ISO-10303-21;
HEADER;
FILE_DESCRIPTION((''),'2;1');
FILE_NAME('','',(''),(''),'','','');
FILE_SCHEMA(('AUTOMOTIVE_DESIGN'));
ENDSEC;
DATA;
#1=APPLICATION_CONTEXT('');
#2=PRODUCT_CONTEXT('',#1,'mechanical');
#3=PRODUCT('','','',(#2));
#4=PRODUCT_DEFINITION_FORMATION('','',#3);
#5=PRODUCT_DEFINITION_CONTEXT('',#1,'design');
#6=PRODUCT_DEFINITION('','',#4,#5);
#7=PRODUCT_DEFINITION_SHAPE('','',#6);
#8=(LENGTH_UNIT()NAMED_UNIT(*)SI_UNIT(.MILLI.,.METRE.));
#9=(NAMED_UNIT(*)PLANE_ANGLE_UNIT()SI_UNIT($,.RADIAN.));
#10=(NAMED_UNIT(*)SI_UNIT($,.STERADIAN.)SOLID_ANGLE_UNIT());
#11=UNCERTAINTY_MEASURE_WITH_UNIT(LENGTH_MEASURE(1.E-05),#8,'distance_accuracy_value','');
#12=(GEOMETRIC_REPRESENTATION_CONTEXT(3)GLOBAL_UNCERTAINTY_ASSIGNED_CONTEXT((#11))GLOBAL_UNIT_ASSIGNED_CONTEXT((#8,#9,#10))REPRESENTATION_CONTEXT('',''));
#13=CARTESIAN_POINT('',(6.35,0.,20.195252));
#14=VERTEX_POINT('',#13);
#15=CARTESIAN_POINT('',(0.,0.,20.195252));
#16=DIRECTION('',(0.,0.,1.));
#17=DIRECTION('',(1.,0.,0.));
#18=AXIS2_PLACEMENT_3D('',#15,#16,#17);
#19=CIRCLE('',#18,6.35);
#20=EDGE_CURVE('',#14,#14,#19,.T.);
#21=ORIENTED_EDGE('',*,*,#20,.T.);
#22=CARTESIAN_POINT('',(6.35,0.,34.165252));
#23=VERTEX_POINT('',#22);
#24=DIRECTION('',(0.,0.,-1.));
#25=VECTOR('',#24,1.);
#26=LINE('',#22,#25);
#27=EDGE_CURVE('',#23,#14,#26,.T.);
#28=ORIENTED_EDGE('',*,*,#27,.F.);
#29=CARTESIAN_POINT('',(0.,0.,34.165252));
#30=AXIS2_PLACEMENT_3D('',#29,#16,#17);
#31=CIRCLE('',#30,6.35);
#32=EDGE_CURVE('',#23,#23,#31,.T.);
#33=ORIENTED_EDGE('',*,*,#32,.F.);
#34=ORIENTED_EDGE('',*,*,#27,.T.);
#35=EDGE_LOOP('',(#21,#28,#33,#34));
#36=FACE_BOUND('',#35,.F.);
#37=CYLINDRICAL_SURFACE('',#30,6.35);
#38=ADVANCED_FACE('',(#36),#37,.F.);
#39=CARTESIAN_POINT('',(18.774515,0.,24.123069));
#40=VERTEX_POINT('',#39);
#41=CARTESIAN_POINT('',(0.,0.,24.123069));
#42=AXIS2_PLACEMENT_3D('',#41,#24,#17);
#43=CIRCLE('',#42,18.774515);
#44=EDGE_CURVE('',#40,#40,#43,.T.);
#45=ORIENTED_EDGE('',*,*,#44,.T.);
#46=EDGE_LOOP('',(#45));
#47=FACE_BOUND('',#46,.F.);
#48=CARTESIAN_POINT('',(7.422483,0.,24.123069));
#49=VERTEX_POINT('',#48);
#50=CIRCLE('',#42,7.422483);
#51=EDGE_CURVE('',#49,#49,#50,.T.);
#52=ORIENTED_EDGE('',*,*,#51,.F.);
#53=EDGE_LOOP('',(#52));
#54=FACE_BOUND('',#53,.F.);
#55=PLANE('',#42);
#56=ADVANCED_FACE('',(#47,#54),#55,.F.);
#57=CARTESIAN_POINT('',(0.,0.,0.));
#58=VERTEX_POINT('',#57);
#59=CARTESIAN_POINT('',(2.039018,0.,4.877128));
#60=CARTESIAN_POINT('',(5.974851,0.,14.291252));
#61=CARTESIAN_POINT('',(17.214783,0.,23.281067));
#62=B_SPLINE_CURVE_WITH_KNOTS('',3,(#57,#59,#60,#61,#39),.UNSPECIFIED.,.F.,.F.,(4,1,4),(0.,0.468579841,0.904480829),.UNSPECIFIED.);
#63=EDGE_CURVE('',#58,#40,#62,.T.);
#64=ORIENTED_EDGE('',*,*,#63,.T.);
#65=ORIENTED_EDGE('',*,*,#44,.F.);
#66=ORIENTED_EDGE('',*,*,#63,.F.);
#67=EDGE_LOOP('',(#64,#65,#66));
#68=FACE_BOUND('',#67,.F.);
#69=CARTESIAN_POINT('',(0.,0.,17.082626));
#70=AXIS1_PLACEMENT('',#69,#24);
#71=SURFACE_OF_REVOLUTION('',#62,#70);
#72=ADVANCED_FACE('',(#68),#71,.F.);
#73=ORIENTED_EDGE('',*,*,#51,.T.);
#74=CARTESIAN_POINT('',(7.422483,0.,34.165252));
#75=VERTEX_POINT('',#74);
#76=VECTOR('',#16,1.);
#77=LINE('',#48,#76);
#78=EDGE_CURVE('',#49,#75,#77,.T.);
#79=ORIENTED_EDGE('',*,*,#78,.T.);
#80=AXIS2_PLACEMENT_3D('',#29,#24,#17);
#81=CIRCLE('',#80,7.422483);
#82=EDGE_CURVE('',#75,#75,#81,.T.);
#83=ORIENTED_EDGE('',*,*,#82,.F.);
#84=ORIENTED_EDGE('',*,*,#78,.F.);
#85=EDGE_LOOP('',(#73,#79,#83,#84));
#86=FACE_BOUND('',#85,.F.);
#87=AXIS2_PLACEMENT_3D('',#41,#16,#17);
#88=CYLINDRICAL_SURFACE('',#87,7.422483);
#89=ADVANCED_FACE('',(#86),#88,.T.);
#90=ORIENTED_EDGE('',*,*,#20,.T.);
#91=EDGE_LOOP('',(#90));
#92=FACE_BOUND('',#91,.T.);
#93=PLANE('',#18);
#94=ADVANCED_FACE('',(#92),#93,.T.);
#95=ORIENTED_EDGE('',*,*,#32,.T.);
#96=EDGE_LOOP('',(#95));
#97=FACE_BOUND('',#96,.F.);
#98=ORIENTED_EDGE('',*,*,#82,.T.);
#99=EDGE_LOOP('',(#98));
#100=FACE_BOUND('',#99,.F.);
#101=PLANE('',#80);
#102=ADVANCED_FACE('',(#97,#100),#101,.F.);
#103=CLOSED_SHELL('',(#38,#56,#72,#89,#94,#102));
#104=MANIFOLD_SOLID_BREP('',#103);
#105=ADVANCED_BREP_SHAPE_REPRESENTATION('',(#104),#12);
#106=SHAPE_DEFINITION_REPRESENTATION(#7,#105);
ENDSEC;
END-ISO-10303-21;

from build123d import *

# Parameters (mm, degrees)
F2_R     = 6.35
F3_DEPTH = 13.97


with BuildPart() as f1:
    # F0 (on Front) → F1 (revolve)
    with BuildSketch(Plane.XZ):
        with BuildLine():
            Line((0, 34.165252), (0, 0))
            add(Edge.make_bspline(
                [(0, 0), (2.0390175148, 4.8771278458), (5.9748510534, 14.291251662), (17.2147828214, 23.2810671304), (18.7745150179, 24.1230688989)],
                knots=[0, 0, 0, 0, 0.4685798408, 0.9044808293, 0.9044808293, 0.9044808293, 0.9044808293], degree=3))
            Line((18.7745150179, 24.1230688989), (7.4224825948, 24.1230688989))
            Line((7.4224825948, 24.1230688989), (7.4224825948, 34.165252))
            Line((7.4224825948, 34.165252), (0, 34.165252))
        make_face()
    revolve(axis=Axis((0, 0, 17.082626), (0, 0, -1)))

    # F2 (on face) → F3 (cut)
    with BuildSketch(Plane.XY.offset(34.1652520001)):
        Circle(F2_R)
    extrude(amount=-F3_DEPTH, mode=Mode.SUBTRACT)


solid = f1.part
